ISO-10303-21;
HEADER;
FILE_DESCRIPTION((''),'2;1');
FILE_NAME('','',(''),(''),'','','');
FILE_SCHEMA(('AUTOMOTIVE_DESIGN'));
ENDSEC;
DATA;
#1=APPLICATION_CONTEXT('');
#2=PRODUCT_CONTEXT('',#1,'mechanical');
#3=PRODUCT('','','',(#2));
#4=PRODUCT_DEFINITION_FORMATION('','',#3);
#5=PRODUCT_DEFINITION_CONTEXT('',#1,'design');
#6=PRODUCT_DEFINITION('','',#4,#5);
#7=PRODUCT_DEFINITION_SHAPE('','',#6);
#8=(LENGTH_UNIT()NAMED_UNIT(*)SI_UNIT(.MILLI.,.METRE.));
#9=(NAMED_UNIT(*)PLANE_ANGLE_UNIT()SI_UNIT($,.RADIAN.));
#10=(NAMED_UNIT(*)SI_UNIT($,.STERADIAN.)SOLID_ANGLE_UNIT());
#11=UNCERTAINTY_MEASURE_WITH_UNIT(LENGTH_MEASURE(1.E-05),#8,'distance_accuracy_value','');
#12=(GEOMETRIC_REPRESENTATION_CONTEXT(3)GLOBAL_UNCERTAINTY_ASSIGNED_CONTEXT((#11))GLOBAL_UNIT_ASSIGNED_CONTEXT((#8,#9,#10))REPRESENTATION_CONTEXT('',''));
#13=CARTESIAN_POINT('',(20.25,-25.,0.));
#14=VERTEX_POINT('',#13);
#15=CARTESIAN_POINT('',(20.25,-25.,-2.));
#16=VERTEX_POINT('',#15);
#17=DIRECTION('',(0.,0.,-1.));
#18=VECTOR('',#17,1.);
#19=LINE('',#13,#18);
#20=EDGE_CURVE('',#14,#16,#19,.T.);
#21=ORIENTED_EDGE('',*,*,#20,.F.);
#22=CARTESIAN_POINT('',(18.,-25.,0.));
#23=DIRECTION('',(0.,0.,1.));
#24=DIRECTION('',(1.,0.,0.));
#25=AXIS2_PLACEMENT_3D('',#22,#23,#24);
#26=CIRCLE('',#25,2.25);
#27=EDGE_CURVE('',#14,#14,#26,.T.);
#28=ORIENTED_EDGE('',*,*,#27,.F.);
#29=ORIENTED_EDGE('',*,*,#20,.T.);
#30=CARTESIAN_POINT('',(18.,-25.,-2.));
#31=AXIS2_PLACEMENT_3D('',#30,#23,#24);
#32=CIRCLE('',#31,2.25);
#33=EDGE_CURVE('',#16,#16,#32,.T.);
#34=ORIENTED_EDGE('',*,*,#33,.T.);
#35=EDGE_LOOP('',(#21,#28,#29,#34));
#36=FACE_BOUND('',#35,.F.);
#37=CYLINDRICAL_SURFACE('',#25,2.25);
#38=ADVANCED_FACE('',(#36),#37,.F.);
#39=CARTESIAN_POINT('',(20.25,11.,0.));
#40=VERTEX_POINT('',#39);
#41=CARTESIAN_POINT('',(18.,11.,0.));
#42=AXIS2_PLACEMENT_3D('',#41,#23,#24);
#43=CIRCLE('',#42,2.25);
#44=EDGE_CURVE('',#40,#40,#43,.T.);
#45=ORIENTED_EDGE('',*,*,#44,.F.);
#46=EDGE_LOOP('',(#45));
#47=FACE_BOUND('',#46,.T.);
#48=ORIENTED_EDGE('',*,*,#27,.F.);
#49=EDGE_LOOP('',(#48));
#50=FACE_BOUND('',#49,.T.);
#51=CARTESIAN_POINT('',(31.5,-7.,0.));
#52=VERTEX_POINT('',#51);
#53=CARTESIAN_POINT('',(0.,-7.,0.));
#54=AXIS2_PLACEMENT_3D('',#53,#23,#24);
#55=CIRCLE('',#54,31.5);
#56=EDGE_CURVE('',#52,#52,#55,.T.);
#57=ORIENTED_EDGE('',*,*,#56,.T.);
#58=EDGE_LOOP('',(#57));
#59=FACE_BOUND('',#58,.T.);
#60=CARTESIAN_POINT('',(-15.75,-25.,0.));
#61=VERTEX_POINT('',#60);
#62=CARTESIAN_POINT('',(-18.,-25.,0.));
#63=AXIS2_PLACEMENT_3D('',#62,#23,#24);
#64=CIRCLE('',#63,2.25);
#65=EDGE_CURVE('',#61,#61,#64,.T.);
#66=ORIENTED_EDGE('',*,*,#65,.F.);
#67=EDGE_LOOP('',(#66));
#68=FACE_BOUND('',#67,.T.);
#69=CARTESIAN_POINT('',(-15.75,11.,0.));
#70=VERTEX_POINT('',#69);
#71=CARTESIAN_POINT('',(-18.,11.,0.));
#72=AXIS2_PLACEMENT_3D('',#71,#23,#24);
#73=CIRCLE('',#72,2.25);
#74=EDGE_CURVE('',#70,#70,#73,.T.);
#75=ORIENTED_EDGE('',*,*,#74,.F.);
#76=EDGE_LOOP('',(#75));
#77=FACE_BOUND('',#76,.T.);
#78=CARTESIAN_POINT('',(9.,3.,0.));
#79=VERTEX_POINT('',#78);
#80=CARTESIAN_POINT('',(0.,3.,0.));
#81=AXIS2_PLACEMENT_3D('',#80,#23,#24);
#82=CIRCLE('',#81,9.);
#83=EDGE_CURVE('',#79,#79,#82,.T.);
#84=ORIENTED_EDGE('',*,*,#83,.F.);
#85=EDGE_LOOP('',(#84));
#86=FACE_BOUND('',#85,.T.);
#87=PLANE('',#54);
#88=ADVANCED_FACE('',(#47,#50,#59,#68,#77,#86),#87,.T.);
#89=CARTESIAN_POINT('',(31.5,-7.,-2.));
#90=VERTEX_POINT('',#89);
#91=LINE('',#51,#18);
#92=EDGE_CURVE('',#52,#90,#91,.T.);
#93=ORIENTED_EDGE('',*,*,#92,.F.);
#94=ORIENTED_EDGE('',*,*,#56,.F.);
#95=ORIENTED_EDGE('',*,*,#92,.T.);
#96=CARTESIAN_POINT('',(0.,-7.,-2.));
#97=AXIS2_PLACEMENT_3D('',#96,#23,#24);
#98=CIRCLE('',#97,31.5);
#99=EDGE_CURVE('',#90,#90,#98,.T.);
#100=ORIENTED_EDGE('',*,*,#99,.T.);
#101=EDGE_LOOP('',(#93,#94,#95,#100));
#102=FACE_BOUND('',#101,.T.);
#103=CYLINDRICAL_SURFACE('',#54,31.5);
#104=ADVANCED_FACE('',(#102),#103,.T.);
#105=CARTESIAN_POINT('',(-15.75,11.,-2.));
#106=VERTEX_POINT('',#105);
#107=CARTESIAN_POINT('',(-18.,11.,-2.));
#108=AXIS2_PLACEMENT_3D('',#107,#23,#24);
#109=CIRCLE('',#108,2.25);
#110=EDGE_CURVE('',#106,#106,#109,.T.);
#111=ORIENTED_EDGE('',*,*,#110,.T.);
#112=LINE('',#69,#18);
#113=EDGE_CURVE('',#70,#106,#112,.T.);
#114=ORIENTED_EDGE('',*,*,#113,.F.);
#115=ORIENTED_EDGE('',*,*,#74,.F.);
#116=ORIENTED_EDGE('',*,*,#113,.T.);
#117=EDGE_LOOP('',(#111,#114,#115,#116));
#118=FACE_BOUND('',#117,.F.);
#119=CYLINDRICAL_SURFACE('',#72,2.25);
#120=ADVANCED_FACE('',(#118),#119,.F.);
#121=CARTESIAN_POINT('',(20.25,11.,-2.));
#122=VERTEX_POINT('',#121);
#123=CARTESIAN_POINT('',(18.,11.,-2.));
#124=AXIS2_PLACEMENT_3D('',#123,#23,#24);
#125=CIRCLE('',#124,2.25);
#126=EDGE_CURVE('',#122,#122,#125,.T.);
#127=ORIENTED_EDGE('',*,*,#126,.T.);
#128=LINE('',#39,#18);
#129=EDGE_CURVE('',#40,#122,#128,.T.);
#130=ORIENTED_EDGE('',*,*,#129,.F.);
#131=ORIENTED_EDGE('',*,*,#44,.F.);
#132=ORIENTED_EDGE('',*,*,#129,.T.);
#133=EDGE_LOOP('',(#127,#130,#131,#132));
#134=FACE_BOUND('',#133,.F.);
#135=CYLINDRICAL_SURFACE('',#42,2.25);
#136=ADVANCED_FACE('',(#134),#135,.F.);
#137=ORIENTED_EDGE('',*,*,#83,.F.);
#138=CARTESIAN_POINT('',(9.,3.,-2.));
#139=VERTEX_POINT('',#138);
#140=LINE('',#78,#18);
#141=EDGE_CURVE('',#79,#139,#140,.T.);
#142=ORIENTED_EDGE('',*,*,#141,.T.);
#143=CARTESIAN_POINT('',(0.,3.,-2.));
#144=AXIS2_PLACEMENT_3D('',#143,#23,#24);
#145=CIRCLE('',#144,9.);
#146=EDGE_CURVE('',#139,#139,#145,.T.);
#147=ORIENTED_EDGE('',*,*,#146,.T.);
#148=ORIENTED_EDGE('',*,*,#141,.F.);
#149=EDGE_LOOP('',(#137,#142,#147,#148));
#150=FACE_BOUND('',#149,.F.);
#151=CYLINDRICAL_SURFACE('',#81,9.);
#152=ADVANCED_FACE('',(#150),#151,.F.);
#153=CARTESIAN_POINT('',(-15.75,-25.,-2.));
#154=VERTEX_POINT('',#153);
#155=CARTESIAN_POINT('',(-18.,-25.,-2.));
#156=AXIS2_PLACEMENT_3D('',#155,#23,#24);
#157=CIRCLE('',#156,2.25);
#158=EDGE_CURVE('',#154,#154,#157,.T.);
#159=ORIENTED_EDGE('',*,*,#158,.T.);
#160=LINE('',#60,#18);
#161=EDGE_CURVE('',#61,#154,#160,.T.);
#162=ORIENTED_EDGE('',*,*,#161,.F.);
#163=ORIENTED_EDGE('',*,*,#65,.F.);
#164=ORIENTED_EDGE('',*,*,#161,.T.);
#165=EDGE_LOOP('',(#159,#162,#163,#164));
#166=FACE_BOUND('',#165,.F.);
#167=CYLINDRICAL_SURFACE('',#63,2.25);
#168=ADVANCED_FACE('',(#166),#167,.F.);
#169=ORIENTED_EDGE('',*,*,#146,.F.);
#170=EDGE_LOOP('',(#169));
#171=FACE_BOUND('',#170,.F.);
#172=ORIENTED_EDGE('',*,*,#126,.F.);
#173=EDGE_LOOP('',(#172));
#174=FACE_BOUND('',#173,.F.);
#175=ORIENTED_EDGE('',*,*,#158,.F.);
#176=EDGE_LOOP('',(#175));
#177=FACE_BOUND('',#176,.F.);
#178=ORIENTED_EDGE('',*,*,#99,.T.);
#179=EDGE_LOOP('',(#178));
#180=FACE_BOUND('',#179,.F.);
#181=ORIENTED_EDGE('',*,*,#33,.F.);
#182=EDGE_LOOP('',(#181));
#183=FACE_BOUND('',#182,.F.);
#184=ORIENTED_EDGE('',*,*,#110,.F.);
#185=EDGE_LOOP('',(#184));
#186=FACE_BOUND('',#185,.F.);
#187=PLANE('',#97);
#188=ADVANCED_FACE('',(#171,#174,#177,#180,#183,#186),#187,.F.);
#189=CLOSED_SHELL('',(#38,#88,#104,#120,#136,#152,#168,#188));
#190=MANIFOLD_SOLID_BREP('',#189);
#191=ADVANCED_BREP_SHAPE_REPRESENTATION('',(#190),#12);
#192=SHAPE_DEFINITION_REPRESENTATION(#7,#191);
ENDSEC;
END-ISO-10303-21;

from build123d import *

# Parameters (mm, degrees)
F0_R     = 31.5
F0_R_2   = 2.25
F0_R_3   = 11.5
F0_R_4   = 9
F1_DEPTH = 2


with BuildPart() as f1:
    # F0 (on Top) → F1 (new body)
    with BuildSketch(Plane.XY):
        with Locations((0, -7)):
            Circle(F0_R)
        with Locations((-18, -25)):
            Circle(F0_R_2, mode=Mode.SUBTRACT)
        with Locations((18, -25)):
            Circle(F0_R_2, mode=Mode.SUBTRACT)
        with Locations((-18, 11)):
            Circle(F0_R_2, mode=Mode.SUBTRACT)
        with Locations((0, 3)):
            Circle(F0_R_3, mode=Mode.SUBTRACT)
        with Locations((18, 11)):
            Circle(F0_R_2, mode=Mode.SUBTRACT)
        with Locations((0, 3)):
            Circle(F0_R_3)
        with Locations((0, 3)):
            Circle(F0_R_4, mode=Mode.SUBTRACT)
    extrude(amount=-F1_DEPTH)


solid = f1.part
